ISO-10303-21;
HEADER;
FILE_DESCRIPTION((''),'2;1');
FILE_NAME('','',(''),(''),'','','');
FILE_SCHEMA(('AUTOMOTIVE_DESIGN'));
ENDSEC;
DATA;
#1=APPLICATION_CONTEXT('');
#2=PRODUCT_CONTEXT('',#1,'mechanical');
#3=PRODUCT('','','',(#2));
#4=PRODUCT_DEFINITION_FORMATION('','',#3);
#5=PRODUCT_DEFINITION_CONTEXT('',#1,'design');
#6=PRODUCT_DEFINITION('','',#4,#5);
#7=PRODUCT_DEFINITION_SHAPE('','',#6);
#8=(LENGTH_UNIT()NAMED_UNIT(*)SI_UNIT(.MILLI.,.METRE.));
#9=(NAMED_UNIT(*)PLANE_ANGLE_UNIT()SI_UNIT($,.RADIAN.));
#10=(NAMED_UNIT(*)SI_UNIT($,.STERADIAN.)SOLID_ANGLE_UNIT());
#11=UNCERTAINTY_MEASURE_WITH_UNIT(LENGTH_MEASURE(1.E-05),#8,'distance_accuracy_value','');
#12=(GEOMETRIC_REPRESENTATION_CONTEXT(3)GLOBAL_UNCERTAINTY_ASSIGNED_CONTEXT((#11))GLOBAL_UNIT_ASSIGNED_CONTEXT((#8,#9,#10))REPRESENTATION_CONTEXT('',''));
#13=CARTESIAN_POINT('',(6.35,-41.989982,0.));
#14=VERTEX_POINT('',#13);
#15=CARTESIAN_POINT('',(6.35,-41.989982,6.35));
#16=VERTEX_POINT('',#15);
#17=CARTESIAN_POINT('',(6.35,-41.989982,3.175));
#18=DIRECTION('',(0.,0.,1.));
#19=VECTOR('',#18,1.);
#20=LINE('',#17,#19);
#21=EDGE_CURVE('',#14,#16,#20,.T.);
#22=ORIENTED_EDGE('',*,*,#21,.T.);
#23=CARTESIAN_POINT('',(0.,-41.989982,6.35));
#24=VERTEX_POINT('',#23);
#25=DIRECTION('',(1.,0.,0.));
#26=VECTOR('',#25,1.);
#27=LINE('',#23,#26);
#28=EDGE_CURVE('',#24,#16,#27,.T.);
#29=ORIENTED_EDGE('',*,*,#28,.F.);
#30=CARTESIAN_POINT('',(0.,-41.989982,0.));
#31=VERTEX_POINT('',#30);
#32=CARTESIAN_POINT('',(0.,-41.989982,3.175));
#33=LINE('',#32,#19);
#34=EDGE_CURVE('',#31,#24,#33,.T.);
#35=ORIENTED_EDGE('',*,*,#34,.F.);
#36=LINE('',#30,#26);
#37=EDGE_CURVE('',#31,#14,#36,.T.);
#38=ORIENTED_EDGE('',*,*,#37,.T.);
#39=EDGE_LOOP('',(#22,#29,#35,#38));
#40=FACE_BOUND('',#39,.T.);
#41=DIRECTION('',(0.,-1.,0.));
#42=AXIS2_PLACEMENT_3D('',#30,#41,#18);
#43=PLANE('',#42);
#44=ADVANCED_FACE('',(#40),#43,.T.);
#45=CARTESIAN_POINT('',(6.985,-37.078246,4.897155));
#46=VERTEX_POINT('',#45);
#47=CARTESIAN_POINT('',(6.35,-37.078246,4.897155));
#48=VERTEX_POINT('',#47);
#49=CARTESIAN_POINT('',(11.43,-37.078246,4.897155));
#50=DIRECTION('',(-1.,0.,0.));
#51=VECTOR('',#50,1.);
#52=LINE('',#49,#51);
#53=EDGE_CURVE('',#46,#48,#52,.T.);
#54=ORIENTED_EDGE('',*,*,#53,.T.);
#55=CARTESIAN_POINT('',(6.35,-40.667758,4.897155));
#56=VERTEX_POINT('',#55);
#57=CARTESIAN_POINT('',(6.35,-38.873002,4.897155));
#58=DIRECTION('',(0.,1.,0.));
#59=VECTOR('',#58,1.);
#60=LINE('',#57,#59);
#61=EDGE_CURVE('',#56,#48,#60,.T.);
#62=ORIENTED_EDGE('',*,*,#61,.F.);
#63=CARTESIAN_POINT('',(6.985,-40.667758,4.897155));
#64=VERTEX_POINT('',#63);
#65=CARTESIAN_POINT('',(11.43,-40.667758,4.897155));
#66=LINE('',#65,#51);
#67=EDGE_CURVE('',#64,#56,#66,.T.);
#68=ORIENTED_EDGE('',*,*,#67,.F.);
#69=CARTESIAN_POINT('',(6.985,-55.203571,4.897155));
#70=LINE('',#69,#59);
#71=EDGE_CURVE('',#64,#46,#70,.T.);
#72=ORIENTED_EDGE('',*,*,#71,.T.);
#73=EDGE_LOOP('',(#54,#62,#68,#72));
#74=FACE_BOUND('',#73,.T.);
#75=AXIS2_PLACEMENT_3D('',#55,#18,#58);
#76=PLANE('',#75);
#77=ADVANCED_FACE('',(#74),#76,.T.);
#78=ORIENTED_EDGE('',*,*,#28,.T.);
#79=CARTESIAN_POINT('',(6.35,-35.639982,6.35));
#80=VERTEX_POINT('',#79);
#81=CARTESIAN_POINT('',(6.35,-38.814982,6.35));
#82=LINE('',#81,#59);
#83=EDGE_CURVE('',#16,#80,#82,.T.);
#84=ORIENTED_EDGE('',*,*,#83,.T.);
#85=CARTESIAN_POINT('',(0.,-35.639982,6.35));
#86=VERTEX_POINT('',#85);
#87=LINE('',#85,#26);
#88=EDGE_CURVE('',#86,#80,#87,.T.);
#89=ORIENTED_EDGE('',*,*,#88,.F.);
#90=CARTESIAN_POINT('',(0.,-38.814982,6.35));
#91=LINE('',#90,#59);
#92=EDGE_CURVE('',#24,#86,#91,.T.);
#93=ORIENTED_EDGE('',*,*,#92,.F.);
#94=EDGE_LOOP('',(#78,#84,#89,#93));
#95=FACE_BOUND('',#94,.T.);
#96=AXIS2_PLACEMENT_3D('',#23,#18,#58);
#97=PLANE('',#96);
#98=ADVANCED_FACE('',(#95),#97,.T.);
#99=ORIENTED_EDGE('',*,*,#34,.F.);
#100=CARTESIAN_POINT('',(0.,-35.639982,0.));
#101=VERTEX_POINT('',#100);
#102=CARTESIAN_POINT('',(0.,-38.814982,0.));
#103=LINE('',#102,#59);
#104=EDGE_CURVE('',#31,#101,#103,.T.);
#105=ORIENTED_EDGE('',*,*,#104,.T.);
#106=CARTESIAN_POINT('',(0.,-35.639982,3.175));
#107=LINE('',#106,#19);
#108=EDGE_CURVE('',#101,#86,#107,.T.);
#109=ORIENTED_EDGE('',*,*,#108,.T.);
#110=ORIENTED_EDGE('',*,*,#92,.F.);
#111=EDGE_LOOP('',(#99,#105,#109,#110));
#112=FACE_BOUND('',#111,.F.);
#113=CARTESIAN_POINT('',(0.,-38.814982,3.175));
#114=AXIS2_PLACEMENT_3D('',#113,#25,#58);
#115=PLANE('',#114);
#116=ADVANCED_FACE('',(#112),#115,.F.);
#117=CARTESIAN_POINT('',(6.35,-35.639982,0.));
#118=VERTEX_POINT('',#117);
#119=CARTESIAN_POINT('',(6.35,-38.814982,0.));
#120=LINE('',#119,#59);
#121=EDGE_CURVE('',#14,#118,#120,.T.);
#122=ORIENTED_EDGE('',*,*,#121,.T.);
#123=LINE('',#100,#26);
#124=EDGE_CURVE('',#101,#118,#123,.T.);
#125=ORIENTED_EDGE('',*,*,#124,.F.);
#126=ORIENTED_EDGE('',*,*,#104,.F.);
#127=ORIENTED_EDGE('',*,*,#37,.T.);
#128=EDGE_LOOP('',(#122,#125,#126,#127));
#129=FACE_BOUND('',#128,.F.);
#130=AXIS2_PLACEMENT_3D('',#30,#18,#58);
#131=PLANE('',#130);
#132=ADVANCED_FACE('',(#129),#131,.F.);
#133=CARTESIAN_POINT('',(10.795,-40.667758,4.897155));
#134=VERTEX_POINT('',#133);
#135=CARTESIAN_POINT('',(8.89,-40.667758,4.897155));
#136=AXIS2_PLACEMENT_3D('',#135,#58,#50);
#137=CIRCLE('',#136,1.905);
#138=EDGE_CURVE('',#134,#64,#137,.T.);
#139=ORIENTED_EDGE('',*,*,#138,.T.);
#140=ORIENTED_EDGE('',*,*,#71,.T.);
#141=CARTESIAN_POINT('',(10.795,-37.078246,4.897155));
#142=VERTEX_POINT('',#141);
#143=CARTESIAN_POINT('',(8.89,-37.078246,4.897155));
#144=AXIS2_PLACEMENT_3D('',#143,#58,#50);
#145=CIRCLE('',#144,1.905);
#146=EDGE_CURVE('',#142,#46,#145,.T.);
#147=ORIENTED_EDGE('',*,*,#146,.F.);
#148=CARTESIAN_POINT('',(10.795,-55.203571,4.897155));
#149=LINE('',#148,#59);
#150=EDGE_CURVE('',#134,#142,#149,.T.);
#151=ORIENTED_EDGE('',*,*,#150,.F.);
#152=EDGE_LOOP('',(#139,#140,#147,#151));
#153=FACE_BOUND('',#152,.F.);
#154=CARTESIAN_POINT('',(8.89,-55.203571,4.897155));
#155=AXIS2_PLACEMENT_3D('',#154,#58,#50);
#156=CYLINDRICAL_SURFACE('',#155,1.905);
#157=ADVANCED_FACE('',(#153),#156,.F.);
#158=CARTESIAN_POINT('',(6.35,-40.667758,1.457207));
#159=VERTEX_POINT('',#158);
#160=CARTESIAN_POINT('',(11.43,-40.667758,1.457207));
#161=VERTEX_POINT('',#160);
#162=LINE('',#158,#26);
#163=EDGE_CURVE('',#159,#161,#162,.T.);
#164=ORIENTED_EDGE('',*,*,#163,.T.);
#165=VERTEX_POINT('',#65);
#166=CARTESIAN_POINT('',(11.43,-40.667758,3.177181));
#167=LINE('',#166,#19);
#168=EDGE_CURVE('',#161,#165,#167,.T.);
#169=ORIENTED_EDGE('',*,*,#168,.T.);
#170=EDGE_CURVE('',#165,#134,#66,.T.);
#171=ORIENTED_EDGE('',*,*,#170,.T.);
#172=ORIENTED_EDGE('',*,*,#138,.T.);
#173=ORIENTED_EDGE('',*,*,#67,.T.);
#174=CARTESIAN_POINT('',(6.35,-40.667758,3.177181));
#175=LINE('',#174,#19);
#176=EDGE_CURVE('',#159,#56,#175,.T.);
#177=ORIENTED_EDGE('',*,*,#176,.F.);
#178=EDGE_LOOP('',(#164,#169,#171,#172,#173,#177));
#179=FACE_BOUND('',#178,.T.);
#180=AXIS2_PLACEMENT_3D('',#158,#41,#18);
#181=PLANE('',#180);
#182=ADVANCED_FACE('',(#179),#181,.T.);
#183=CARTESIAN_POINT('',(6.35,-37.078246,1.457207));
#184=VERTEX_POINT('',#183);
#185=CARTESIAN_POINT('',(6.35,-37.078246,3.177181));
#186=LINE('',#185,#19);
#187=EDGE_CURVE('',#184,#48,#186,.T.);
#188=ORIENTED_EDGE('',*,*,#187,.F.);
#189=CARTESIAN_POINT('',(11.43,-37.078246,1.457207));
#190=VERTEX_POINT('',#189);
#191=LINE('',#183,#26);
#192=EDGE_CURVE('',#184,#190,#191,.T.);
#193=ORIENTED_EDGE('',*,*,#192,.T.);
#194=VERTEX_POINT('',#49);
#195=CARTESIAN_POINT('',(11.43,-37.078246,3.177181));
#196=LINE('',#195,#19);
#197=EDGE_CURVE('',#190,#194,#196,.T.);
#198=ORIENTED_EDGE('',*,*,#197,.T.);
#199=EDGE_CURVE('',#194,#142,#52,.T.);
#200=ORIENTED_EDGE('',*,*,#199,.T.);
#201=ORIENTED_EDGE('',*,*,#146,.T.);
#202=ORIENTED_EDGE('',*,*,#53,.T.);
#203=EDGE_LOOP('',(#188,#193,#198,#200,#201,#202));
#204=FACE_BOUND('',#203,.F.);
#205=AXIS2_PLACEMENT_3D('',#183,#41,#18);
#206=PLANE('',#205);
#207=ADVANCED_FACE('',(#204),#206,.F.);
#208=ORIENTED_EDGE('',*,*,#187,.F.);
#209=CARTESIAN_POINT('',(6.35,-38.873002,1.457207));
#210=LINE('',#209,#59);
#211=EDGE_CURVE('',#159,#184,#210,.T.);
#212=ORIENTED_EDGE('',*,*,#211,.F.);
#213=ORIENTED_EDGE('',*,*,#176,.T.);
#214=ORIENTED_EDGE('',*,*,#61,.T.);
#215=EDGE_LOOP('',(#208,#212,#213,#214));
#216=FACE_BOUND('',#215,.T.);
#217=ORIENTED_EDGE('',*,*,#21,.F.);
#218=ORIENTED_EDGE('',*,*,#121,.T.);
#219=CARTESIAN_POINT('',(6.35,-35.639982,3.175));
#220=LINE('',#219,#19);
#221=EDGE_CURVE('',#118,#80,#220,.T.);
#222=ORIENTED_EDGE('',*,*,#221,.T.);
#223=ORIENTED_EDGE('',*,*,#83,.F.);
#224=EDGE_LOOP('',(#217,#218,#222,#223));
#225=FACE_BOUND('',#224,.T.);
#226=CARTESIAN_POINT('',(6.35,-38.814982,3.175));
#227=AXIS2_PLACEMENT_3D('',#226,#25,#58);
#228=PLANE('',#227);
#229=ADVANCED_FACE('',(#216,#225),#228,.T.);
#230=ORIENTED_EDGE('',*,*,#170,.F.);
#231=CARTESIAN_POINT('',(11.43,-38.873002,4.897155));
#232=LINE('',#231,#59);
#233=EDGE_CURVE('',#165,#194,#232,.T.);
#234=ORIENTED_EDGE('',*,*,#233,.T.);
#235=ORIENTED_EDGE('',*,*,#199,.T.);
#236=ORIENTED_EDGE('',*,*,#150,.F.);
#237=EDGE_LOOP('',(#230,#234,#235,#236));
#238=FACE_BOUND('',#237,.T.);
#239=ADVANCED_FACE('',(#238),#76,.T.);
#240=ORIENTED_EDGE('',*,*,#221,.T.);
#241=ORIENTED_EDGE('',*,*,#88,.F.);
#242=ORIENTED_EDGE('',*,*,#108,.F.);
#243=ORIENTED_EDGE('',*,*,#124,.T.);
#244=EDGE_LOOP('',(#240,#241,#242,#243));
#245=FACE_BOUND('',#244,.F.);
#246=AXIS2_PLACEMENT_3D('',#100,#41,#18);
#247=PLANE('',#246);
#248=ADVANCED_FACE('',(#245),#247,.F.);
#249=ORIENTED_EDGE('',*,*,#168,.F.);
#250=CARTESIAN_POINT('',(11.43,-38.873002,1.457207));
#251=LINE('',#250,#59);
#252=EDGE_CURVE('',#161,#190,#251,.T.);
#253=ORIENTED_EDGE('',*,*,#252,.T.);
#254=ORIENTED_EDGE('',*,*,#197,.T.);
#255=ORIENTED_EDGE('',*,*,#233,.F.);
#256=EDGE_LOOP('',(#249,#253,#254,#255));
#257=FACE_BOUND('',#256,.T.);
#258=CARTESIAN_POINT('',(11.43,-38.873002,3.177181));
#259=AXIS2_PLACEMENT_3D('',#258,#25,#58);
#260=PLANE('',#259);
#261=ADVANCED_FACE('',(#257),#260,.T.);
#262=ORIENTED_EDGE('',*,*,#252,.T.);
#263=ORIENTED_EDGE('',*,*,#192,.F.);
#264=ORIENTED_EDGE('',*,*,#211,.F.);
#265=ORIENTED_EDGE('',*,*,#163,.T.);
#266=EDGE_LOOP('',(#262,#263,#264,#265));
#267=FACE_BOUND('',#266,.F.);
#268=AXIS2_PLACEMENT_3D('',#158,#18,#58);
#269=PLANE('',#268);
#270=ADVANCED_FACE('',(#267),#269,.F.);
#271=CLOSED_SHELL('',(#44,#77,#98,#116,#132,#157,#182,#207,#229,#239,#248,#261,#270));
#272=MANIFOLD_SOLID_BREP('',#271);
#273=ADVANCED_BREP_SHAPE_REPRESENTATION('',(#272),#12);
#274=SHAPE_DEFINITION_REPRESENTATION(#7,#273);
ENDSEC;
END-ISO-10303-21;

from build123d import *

# Parameters (mm, degrees)
F0_W     = 6.35
F0_H     = 6.35
F1_DEPTH = 6.35
F2_W     = 3.589511
F2_H     = 3.439947
F3_DEPTH = 2.54
F4_W     = 3.589511
F4_H     = 3.439947
F5_DEPTH = 2.54
F7_D     = 3.81


with BuildPart() as f1:
    # F0 (on Right) → F1 (new body)
    with BuildSketch(Plane.YZ):
        with Locations((-38.814982, 3.175)):
            Rectangle(F0_W, F0_H)
    extrude(amount=F1_DEPTH)



with BuildPart() as f3:
    # F2 (on face) → F3 (new body)
    with BuildSketch(Plane.YZ.offset(8.89)):
        with Locations((-38.873002, 3.177181)):
            Rectangle(F2_W, F2_H)
    extrude(amount=F3_DEPTH)


with BuildPart() as f1_1:
    add(f1.part)

    add(f3.part)  # F5 merges F3
    # F4 (on face) → F5 (join)
    with BuildSketch(Plane.YZ.offset(6.35)):
        with Locations((-38.873002, 3.177181)):
            Rectangle(F4_W, F4_H)
    extrude(amount=F5_DEPTH)

    # F7 (through all)
    with Locations(Plane.XZ.offset(40.667757)):
        with Locations((8.89, 4.897155)):
            Hole(F7_D / 2)


solid = f1_1.part
